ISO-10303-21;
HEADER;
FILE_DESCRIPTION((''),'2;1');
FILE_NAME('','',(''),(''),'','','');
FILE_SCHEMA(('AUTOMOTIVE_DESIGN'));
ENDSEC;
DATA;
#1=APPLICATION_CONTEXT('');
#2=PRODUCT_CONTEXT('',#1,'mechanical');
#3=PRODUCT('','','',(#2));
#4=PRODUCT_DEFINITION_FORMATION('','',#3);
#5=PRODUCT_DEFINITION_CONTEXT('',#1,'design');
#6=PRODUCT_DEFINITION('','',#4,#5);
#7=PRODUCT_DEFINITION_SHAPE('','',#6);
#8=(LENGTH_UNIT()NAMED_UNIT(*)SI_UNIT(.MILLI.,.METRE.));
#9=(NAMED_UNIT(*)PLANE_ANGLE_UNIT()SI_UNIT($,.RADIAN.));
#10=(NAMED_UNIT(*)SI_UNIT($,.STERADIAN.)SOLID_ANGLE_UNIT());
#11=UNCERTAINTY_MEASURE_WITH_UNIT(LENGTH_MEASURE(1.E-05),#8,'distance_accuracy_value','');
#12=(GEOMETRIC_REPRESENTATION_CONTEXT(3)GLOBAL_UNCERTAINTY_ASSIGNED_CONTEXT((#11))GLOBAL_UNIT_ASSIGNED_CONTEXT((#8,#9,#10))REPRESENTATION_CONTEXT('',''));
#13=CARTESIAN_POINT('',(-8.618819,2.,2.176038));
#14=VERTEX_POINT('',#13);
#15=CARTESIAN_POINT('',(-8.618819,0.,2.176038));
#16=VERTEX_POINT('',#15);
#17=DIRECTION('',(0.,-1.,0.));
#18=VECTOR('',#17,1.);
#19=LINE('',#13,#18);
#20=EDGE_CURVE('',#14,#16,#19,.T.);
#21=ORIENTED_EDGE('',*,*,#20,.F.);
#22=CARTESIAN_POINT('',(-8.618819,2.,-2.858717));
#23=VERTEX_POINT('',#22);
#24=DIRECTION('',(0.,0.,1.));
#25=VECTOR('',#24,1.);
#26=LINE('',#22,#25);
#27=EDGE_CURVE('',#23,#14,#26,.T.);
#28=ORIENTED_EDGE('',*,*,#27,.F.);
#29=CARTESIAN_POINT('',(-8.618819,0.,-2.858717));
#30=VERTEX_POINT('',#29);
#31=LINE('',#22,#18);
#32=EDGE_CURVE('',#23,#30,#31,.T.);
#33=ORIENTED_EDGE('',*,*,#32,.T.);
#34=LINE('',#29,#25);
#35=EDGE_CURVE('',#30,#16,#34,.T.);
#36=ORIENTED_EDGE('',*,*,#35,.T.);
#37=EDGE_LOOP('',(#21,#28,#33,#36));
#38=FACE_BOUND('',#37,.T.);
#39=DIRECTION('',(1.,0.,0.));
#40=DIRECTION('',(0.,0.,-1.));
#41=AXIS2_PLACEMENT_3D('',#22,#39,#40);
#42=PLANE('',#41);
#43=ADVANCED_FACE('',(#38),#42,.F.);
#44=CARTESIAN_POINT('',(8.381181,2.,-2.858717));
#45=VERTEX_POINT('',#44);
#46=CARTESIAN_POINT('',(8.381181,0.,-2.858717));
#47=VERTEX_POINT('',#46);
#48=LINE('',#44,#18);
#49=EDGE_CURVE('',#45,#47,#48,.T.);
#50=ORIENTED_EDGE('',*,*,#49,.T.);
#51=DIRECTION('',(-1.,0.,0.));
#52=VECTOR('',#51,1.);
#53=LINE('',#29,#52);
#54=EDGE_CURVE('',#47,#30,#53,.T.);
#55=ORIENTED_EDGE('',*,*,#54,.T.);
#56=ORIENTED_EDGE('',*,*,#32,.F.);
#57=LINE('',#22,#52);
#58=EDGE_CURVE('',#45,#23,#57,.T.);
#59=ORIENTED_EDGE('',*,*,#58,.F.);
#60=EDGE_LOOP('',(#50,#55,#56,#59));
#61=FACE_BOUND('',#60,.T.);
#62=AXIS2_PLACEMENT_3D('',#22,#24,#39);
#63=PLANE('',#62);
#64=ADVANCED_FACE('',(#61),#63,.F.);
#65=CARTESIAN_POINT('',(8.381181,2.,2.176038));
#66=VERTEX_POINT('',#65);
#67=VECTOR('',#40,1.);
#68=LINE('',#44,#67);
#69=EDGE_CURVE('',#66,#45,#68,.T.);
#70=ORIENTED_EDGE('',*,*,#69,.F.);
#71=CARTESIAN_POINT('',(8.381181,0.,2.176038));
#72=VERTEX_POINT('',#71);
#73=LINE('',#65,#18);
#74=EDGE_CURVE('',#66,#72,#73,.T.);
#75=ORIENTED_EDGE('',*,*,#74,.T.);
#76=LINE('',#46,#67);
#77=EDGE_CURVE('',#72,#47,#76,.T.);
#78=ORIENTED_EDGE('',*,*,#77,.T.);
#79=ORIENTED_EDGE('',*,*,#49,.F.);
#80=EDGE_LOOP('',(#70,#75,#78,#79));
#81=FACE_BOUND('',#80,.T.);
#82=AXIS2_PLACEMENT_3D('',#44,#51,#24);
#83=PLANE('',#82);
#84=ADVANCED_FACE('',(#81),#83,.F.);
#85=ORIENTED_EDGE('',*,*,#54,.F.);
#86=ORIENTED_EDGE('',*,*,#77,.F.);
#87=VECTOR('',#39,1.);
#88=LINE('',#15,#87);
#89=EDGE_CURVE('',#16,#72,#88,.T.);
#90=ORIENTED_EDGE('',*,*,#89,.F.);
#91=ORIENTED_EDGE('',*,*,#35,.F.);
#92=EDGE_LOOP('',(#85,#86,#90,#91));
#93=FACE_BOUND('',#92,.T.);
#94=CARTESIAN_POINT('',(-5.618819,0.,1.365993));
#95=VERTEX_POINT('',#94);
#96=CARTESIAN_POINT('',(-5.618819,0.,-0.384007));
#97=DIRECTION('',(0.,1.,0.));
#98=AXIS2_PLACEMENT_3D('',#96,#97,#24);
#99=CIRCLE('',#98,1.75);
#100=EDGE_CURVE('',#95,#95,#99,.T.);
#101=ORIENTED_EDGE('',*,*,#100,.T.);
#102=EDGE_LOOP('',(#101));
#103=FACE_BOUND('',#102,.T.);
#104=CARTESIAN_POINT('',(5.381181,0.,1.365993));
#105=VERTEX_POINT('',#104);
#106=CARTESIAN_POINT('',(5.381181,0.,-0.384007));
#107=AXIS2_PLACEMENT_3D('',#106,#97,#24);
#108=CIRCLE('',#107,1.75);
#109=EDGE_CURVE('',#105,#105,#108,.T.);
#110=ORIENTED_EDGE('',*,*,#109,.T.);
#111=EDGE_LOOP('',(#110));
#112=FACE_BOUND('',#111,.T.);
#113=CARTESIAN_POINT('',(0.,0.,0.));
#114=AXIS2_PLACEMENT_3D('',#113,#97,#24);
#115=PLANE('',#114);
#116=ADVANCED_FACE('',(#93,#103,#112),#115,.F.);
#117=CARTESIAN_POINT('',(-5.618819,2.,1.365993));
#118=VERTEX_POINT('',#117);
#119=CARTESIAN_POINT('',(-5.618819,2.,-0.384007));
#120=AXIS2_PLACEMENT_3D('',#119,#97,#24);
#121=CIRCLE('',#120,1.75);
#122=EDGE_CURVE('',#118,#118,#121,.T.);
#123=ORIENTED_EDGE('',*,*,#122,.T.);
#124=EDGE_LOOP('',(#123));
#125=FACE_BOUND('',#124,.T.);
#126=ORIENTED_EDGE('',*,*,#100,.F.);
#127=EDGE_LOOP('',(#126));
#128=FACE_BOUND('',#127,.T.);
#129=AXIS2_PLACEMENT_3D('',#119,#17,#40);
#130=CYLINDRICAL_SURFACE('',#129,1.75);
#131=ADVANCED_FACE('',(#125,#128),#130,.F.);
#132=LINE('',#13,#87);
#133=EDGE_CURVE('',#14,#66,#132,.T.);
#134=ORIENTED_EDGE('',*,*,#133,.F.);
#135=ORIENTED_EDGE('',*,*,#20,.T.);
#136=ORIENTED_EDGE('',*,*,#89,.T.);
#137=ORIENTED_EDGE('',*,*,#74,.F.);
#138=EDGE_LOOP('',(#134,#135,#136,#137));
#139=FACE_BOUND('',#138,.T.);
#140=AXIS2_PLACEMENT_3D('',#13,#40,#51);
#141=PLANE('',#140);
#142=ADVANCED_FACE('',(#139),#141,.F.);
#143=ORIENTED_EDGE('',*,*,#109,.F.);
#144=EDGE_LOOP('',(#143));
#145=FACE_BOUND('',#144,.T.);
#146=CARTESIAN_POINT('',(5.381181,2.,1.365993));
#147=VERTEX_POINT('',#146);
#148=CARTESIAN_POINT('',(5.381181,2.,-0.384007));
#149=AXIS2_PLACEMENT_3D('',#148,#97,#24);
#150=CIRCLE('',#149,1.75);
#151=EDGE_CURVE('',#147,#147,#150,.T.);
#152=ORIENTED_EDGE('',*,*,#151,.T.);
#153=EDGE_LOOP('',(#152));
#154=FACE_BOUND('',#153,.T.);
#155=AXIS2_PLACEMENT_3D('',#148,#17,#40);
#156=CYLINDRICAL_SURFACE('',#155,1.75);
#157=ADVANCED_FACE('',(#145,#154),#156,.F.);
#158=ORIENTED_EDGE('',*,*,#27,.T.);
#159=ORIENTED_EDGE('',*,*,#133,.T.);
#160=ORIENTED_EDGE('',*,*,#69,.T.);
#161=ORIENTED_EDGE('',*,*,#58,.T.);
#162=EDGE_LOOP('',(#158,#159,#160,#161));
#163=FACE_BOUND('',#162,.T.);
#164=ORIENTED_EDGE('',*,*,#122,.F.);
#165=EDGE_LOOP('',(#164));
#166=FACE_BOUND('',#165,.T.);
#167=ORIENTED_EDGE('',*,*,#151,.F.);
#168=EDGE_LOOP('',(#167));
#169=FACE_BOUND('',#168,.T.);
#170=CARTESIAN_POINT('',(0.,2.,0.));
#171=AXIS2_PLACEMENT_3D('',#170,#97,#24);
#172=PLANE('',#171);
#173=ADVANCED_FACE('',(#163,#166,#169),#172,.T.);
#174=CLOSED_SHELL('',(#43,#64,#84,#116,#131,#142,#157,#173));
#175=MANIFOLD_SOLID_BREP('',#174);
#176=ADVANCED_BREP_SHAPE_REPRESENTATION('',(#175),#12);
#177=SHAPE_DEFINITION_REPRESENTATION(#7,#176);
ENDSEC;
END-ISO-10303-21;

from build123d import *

# Parameters (mm, degrees)
SKETCH_1_W      = 17
SKETCH_1_H      = 5.034755363
SKETCH_1_R      = 1.75
EXTRUDE_1_DEPTH = 2


with BuildPart() as part:
    # 草图1 → 凸台-拉伸1 (new body)
    with BuildSketch(Plane(origin=(0, 0, 0), x_dir=(1, 0, 0), z_dir=(0, 1, 0))):
        with Locations((-0.118818502, 0.341339346)):
            Rectangle(SKETCH_1_W, SKETCH_1_H)
        with Locations(Location((-5.618818502, 0.384006765, 0), (0, 0, 270))):
            Circle(SKETCH_1_R, mode=Mode.SUBTRACT)
        with Locations(Location((5.381181498, 0.384006765, 0), (0, 0, 270))):
            Circle(SKETCH_1_R, mode=Mode.SUBTRACT)
    extrude(amount=EXTRUDE_1_DEPTH)


solid = part.part
